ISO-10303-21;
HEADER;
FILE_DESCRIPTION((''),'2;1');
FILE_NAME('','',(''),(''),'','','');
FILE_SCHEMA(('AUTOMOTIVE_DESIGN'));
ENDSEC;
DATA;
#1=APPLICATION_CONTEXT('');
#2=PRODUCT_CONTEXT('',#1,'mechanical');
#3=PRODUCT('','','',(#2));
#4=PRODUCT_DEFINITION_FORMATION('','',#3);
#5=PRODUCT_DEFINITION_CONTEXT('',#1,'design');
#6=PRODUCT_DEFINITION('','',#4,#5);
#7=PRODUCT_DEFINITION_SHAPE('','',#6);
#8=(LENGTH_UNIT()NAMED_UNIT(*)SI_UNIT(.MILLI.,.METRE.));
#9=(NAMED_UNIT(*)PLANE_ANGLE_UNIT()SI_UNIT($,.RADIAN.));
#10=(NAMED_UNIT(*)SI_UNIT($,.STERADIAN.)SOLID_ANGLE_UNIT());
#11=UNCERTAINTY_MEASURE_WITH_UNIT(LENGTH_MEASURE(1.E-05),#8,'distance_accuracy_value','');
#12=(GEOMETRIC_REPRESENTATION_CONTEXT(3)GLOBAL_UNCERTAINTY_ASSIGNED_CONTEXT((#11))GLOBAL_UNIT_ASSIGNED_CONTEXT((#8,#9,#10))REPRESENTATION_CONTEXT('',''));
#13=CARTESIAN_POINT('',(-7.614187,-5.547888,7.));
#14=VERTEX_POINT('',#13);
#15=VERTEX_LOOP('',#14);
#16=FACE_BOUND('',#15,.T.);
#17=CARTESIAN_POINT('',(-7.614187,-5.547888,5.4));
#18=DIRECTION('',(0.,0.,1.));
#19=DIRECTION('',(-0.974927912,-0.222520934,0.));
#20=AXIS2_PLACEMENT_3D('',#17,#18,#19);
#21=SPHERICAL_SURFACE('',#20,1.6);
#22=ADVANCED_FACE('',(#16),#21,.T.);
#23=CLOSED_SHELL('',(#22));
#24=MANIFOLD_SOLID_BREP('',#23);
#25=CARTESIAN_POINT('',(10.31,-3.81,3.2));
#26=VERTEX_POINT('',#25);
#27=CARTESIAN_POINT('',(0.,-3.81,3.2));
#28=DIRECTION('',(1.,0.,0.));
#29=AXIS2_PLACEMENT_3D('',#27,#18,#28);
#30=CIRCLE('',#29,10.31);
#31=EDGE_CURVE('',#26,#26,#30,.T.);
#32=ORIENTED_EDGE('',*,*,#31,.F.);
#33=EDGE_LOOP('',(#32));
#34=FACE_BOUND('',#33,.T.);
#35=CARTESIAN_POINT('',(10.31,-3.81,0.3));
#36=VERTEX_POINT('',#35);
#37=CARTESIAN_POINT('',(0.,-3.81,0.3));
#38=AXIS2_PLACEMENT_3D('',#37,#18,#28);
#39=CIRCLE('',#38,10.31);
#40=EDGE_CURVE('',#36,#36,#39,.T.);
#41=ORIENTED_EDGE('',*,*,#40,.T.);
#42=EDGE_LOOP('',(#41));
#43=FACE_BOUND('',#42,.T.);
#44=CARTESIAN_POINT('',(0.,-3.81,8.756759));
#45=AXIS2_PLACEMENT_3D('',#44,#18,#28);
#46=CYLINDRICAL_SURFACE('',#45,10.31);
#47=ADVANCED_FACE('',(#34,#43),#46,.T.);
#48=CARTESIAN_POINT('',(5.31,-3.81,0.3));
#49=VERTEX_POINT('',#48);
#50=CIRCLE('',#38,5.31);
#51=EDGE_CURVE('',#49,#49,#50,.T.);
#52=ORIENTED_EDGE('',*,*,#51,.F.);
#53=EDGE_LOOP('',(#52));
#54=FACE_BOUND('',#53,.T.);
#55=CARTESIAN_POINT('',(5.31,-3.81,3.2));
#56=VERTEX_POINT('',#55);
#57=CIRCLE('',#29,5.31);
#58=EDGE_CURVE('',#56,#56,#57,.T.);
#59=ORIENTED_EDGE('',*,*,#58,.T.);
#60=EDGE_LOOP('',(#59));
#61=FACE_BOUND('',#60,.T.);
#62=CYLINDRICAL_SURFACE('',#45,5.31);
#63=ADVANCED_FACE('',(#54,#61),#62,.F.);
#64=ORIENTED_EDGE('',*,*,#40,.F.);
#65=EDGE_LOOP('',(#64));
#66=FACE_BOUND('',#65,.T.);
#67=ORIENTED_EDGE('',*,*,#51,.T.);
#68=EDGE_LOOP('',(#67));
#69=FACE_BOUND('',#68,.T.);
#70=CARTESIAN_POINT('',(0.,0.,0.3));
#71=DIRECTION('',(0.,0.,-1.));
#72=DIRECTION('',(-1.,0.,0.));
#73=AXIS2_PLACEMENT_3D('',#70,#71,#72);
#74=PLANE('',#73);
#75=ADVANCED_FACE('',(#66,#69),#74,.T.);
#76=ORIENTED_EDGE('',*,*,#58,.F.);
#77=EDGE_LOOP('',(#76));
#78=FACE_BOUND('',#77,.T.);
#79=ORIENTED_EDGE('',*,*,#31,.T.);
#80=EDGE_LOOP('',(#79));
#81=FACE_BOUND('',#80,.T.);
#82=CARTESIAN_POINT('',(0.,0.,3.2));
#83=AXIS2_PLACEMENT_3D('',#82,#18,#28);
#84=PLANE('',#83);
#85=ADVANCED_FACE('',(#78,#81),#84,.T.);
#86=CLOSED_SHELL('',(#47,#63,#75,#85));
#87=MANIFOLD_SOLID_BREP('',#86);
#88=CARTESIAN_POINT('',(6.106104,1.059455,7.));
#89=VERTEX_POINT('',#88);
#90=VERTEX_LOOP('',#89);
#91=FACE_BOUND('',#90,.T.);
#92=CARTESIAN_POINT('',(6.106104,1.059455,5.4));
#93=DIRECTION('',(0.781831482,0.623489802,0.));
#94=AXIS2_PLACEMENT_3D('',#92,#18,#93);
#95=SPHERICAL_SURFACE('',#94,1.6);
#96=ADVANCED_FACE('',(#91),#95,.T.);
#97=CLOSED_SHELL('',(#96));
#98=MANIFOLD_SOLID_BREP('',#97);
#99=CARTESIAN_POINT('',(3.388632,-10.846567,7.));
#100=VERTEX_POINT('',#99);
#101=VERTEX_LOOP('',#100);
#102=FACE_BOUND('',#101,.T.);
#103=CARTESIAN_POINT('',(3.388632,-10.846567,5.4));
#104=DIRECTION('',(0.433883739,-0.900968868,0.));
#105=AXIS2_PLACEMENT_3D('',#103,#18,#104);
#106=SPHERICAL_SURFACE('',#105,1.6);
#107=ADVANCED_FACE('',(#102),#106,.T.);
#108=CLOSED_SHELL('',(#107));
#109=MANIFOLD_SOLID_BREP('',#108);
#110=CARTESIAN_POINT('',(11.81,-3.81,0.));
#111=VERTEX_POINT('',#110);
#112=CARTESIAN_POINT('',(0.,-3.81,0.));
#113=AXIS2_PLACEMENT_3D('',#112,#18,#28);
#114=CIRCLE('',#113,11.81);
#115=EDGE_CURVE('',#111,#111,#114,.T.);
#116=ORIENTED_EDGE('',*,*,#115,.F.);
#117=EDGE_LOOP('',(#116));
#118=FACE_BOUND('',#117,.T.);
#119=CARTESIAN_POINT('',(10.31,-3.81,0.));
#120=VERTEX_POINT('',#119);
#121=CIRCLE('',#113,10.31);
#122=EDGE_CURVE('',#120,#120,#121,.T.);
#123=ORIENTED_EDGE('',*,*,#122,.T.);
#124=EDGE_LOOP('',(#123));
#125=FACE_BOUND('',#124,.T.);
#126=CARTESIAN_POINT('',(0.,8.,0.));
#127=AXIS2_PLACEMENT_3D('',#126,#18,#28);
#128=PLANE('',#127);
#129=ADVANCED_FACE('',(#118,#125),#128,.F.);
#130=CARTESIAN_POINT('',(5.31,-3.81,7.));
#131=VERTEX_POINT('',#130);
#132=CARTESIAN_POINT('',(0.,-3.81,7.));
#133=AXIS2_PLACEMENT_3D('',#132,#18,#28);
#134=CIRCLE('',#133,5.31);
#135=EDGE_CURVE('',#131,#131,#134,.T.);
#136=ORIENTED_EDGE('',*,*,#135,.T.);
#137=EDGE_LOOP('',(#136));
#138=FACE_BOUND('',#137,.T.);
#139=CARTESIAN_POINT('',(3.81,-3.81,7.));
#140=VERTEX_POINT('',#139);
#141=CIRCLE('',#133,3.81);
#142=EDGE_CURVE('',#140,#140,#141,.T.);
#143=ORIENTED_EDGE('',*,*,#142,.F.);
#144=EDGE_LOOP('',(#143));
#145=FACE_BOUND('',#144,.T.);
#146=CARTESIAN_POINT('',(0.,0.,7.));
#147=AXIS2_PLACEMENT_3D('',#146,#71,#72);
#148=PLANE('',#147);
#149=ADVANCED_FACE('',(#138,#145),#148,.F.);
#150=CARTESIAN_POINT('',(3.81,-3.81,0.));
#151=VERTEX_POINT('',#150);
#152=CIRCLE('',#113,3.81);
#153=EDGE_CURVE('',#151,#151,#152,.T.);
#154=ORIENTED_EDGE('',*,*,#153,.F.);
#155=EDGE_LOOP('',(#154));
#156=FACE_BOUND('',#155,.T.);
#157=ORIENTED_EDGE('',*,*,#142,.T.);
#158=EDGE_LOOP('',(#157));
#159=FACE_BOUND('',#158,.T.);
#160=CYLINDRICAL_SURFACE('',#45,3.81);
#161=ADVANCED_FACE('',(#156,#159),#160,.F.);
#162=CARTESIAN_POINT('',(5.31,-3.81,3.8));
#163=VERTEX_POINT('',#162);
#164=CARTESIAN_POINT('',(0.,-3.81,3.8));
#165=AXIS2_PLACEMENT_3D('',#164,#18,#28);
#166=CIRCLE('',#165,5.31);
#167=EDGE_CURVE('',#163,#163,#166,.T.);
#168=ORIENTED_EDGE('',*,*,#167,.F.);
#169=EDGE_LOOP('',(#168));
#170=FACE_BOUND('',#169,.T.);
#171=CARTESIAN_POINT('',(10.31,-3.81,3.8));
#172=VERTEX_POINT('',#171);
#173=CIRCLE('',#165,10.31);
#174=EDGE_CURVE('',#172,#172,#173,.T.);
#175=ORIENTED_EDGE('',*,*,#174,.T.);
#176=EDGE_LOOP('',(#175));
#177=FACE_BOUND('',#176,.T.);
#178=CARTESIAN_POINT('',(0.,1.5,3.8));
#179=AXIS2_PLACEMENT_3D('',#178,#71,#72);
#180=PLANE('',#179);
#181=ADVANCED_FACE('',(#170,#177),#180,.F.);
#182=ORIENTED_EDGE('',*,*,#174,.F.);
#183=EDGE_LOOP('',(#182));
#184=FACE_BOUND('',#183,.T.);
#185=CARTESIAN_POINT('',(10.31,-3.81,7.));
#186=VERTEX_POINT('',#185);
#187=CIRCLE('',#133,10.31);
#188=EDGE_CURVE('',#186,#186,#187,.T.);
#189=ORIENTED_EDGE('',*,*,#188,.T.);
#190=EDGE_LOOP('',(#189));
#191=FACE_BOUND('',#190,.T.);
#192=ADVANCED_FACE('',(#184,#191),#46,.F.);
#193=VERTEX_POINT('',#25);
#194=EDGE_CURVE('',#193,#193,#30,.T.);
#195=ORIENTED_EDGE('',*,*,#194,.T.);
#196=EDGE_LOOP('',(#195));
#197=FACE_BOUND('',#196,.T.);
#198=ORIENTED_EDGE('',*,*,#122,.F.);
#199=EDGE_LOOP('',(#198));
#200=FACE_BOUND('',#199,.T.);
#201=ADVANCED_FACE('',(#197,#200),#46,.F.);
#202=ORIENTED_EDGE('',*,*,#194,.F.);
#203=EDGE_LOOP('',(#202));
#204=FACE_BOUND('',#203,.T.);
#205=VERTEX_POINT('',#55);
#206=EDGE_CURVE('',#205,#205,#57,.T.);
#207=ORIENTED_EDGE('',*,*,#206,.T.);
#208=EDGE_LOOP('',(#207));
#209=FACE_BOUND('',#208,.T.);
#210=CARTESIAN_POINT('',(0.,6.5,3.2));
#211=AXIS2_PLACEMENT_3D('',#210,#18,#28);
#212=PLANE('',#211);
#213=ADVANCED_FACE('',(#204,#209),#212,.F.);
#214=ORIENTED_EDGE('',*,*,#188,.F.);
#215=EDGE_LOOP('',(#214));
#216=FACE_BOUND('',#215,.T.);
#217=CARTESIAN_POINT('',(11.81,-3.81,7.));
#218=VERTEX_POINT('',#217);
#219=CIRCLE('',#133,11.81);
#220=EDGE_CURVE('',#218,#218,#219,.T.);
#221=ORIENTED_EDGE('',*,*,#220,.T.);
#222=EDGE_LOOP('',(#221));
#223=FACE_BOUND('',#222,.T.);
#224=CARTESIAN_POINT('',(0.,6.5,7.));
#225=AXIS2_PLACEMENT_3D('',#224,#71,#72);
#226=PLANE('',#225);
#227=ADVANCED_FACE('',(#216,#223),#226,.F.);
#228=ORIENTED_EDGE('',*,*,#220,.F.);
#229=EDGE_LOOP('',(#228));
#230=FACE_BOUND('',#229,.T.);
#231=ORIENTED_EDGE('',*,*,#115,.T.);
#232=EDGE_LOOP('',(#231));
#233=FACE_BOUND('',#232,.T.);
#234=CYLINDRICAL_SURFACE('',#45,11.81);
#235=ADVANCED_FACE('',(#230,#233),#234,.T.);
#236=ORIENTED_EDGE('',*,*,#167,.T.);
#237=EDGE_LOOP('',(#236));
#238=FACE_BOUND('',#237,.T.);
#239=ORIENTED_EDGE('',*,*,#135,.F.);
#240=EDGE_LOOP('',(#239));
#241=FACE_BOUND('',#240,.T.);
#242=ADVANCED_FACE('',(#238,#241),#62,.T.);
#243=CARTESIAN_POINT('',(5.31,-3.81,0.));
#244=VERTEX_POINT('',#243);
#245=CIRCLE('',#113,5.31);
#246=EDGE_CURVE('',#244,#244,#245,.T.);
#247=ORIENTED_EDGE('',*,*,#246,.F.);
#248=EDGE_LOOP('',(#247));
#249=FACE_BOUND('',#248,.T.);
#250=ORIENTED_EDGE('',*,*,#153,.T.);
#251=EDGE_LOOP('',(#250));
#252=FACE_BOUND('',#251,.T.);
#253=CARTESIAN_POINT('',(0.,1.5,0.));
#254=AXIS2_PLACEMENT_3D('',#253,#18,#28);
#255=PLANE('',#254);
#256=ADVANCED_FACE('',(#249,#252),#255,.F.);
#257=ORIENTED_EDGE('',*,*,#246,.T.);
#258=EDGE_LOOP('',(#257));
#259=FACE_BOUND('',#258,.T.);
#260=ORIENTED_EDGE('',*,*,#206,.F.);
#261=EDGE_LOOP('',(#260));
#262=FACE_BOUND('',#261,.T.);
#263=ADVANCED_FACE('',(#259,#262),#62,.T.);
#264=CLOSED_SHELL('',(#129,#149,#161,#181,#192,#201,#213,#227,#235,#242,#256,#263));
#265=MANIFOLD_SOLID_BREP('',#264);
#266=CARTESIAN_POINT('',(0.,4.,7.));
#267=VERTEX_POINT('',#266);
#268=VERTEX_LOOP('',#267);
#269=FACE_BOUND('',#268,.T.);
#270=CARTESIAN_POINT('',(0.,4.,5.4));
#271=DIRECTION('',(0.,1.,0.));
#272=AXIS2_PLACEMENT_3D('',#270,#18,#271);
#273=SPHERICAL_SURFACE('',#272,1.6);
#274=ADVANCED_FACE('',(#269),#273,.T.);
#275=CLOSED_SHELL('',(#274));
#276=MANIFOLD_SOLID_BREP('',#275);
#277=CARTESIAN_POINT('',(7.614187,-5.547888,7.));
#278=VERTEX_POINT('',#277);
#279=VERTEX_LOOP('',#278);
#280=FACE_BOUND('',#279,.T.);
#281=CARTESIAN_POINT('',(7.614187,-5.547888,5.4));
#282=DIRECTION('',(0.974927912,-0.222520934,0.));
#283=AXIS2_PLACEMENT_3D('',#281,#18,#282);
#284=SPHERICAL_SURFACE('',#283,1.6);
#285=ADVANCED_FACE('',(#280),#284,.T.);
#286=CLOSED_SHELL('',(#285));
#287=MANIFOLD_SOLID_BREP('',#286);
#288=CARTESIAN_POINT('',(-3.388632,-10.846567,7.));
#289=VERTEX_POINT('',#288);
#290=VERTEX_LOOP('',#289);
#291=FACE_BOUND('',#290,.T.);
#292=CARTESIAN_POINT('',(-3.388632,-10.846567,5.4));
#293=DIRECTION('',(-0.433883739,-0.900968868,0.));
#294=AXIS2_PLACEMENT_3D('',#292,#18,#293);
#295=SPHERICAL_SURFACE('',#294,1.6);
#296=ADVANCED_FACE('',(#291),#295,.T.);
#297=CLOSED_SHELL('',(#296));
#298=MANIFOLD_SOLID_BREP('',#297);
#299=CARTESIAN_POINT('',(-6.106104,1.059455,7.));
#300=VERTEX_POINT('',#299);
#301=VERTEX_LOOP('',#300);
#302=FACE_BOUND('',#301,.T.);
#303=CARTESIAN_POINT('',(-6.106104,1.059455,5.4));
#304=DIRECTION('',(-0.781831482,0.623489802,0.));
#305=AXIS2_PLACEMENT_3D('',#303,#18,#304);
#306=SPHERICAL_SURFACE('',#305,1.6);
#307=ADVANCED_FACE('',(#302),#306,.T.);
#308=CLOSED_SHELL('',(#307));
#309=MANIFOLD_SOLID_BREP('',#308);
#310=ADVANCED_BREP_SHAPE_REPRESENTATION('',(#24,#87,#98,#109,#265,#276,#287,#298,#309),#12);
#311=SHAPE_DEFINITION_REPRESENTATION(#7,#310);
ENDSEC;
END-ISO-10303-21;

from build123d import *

# Parameters (mm, degrees)
CIRPATTERN17_COUNT = 7
SKETCH3_W          = 2.9
SKETCH3_H          = 5


with BuildPart() as part:
    # Sketch1 → Revolve1 (revolve)
    with BuildSketch(Plane(origin=(0, 0, 0), x_dir=(0, 0, -1), z_dir=(1, 0, 0)), mode=Mode.PRIVATE) as revolve1_sk:
        Polygon((0, 0), (-7, 0), (-7, 1.5), (-3.8, 1.5), (-3.8, 6.5), (-7, 6.5), (-7, 8), (0, 8), (0, 6.5), (-3.2, 6.5), (-3.2, 1.5), (0, 1.5), align=None)
    revolve(revolve1_sk.sketch.rotate(Axis((0, -3.81, 8.756759189), (0, 0, -1)), 90), axis=Axis((0, -3.81, 8.756759189), (0, 0, -1)))


with BuildPart() as body_2:
    # Sketch2 → Revolve3 (revolve)
    with BuildSketch(Plane(origin=(0, 0, 0), x_dir=(0, 0, -1), z_dir=(1, 0, 0))):
        with BuildLine():
            Line((-3.8, 4), (-7, 4))
            ThreePointArc((-7, 4), (-5.4, 5.6), (-3.8, 4))
        make_face()
    revolve(axis=Axis((0, 4, 8.125819728), (0, 0, -1)))


with BuildPart() as cirpattern17_1:
    # CirPattern17: pattern copy
    add(body_2.part.rotate(Axis((0, -3.81, 0), (0, 0, 1)), 1 * 360 / CIRPATTERN17_COUNT))


with BuildPart() as cirpattern17_2:
    # CirPattern17: pattern copy
    add(body_2.part.rotate(Axis((0, -3.81, 0), (0, 0, 1)), 2 * 360 / CIRPATTERN17_COUNT))


with BuildPart() as cirpattern17_3:
    # CirPattern17: pattern copy
    add(body_2.part.rotate(Axis((0, -3.81, 0), (0, 0, 1)), 3 * 360 / CIRPATTERN17_COUNT))


with BuildPart() as cirpattern17_4:
    # CirPattern17: pattern copy
    add(body_2.part.rotate(Axis((0, -3.81, 0), (0, 0, 1)), 4 * 360 / CIRPATTERN17_COUNT))


with BuildPart() as cirpattern17_5:
    # CirPattern17: pattern copy
    add(body_2.part.rotate(Axis((0, -3.81, 0), (0, 0, 1)), 5 * 360 / CIRPATTERN17_COUNT))


with BuildPart() as cirpattern17_6:
    # CirPattern17: pattern copy
    add(body_2.part.rotate(Axis((0, -3.81, 0), (0, 0, 1)), 6 * 360 / CIRPATTERN17_COUNT))


with BuildPart() as body_9:
    # Sketch3 → Revolve4 (revolve)
    with BuildSketch(Plane(origin=(0, 0, 0), x_dir=(0, 0, -1), z_dir=(1, 0, 0)), mode=Mode.PRIVATE) as revolve4_sk:
        with Locations((-1.75, 4)):
            Rectangle(SKETCH3_W, SKETCH3_H)
    revolve(revolve4_sk.sketch.rotate(Axis((0, -3.81, 8.756759189), (0, 0, -1)), 90), axis=Axis((0, -3.81, 8.756759189), (0, 0, -1)))


solid = Compound([part.part, body_2.part, cirpattern17_1.part, cirpattern17_2.part, cirpattern17_3.part, cirpattern17_4.part, cirpattern17_5.part, cirpattern17_6.part, body_9.part])
